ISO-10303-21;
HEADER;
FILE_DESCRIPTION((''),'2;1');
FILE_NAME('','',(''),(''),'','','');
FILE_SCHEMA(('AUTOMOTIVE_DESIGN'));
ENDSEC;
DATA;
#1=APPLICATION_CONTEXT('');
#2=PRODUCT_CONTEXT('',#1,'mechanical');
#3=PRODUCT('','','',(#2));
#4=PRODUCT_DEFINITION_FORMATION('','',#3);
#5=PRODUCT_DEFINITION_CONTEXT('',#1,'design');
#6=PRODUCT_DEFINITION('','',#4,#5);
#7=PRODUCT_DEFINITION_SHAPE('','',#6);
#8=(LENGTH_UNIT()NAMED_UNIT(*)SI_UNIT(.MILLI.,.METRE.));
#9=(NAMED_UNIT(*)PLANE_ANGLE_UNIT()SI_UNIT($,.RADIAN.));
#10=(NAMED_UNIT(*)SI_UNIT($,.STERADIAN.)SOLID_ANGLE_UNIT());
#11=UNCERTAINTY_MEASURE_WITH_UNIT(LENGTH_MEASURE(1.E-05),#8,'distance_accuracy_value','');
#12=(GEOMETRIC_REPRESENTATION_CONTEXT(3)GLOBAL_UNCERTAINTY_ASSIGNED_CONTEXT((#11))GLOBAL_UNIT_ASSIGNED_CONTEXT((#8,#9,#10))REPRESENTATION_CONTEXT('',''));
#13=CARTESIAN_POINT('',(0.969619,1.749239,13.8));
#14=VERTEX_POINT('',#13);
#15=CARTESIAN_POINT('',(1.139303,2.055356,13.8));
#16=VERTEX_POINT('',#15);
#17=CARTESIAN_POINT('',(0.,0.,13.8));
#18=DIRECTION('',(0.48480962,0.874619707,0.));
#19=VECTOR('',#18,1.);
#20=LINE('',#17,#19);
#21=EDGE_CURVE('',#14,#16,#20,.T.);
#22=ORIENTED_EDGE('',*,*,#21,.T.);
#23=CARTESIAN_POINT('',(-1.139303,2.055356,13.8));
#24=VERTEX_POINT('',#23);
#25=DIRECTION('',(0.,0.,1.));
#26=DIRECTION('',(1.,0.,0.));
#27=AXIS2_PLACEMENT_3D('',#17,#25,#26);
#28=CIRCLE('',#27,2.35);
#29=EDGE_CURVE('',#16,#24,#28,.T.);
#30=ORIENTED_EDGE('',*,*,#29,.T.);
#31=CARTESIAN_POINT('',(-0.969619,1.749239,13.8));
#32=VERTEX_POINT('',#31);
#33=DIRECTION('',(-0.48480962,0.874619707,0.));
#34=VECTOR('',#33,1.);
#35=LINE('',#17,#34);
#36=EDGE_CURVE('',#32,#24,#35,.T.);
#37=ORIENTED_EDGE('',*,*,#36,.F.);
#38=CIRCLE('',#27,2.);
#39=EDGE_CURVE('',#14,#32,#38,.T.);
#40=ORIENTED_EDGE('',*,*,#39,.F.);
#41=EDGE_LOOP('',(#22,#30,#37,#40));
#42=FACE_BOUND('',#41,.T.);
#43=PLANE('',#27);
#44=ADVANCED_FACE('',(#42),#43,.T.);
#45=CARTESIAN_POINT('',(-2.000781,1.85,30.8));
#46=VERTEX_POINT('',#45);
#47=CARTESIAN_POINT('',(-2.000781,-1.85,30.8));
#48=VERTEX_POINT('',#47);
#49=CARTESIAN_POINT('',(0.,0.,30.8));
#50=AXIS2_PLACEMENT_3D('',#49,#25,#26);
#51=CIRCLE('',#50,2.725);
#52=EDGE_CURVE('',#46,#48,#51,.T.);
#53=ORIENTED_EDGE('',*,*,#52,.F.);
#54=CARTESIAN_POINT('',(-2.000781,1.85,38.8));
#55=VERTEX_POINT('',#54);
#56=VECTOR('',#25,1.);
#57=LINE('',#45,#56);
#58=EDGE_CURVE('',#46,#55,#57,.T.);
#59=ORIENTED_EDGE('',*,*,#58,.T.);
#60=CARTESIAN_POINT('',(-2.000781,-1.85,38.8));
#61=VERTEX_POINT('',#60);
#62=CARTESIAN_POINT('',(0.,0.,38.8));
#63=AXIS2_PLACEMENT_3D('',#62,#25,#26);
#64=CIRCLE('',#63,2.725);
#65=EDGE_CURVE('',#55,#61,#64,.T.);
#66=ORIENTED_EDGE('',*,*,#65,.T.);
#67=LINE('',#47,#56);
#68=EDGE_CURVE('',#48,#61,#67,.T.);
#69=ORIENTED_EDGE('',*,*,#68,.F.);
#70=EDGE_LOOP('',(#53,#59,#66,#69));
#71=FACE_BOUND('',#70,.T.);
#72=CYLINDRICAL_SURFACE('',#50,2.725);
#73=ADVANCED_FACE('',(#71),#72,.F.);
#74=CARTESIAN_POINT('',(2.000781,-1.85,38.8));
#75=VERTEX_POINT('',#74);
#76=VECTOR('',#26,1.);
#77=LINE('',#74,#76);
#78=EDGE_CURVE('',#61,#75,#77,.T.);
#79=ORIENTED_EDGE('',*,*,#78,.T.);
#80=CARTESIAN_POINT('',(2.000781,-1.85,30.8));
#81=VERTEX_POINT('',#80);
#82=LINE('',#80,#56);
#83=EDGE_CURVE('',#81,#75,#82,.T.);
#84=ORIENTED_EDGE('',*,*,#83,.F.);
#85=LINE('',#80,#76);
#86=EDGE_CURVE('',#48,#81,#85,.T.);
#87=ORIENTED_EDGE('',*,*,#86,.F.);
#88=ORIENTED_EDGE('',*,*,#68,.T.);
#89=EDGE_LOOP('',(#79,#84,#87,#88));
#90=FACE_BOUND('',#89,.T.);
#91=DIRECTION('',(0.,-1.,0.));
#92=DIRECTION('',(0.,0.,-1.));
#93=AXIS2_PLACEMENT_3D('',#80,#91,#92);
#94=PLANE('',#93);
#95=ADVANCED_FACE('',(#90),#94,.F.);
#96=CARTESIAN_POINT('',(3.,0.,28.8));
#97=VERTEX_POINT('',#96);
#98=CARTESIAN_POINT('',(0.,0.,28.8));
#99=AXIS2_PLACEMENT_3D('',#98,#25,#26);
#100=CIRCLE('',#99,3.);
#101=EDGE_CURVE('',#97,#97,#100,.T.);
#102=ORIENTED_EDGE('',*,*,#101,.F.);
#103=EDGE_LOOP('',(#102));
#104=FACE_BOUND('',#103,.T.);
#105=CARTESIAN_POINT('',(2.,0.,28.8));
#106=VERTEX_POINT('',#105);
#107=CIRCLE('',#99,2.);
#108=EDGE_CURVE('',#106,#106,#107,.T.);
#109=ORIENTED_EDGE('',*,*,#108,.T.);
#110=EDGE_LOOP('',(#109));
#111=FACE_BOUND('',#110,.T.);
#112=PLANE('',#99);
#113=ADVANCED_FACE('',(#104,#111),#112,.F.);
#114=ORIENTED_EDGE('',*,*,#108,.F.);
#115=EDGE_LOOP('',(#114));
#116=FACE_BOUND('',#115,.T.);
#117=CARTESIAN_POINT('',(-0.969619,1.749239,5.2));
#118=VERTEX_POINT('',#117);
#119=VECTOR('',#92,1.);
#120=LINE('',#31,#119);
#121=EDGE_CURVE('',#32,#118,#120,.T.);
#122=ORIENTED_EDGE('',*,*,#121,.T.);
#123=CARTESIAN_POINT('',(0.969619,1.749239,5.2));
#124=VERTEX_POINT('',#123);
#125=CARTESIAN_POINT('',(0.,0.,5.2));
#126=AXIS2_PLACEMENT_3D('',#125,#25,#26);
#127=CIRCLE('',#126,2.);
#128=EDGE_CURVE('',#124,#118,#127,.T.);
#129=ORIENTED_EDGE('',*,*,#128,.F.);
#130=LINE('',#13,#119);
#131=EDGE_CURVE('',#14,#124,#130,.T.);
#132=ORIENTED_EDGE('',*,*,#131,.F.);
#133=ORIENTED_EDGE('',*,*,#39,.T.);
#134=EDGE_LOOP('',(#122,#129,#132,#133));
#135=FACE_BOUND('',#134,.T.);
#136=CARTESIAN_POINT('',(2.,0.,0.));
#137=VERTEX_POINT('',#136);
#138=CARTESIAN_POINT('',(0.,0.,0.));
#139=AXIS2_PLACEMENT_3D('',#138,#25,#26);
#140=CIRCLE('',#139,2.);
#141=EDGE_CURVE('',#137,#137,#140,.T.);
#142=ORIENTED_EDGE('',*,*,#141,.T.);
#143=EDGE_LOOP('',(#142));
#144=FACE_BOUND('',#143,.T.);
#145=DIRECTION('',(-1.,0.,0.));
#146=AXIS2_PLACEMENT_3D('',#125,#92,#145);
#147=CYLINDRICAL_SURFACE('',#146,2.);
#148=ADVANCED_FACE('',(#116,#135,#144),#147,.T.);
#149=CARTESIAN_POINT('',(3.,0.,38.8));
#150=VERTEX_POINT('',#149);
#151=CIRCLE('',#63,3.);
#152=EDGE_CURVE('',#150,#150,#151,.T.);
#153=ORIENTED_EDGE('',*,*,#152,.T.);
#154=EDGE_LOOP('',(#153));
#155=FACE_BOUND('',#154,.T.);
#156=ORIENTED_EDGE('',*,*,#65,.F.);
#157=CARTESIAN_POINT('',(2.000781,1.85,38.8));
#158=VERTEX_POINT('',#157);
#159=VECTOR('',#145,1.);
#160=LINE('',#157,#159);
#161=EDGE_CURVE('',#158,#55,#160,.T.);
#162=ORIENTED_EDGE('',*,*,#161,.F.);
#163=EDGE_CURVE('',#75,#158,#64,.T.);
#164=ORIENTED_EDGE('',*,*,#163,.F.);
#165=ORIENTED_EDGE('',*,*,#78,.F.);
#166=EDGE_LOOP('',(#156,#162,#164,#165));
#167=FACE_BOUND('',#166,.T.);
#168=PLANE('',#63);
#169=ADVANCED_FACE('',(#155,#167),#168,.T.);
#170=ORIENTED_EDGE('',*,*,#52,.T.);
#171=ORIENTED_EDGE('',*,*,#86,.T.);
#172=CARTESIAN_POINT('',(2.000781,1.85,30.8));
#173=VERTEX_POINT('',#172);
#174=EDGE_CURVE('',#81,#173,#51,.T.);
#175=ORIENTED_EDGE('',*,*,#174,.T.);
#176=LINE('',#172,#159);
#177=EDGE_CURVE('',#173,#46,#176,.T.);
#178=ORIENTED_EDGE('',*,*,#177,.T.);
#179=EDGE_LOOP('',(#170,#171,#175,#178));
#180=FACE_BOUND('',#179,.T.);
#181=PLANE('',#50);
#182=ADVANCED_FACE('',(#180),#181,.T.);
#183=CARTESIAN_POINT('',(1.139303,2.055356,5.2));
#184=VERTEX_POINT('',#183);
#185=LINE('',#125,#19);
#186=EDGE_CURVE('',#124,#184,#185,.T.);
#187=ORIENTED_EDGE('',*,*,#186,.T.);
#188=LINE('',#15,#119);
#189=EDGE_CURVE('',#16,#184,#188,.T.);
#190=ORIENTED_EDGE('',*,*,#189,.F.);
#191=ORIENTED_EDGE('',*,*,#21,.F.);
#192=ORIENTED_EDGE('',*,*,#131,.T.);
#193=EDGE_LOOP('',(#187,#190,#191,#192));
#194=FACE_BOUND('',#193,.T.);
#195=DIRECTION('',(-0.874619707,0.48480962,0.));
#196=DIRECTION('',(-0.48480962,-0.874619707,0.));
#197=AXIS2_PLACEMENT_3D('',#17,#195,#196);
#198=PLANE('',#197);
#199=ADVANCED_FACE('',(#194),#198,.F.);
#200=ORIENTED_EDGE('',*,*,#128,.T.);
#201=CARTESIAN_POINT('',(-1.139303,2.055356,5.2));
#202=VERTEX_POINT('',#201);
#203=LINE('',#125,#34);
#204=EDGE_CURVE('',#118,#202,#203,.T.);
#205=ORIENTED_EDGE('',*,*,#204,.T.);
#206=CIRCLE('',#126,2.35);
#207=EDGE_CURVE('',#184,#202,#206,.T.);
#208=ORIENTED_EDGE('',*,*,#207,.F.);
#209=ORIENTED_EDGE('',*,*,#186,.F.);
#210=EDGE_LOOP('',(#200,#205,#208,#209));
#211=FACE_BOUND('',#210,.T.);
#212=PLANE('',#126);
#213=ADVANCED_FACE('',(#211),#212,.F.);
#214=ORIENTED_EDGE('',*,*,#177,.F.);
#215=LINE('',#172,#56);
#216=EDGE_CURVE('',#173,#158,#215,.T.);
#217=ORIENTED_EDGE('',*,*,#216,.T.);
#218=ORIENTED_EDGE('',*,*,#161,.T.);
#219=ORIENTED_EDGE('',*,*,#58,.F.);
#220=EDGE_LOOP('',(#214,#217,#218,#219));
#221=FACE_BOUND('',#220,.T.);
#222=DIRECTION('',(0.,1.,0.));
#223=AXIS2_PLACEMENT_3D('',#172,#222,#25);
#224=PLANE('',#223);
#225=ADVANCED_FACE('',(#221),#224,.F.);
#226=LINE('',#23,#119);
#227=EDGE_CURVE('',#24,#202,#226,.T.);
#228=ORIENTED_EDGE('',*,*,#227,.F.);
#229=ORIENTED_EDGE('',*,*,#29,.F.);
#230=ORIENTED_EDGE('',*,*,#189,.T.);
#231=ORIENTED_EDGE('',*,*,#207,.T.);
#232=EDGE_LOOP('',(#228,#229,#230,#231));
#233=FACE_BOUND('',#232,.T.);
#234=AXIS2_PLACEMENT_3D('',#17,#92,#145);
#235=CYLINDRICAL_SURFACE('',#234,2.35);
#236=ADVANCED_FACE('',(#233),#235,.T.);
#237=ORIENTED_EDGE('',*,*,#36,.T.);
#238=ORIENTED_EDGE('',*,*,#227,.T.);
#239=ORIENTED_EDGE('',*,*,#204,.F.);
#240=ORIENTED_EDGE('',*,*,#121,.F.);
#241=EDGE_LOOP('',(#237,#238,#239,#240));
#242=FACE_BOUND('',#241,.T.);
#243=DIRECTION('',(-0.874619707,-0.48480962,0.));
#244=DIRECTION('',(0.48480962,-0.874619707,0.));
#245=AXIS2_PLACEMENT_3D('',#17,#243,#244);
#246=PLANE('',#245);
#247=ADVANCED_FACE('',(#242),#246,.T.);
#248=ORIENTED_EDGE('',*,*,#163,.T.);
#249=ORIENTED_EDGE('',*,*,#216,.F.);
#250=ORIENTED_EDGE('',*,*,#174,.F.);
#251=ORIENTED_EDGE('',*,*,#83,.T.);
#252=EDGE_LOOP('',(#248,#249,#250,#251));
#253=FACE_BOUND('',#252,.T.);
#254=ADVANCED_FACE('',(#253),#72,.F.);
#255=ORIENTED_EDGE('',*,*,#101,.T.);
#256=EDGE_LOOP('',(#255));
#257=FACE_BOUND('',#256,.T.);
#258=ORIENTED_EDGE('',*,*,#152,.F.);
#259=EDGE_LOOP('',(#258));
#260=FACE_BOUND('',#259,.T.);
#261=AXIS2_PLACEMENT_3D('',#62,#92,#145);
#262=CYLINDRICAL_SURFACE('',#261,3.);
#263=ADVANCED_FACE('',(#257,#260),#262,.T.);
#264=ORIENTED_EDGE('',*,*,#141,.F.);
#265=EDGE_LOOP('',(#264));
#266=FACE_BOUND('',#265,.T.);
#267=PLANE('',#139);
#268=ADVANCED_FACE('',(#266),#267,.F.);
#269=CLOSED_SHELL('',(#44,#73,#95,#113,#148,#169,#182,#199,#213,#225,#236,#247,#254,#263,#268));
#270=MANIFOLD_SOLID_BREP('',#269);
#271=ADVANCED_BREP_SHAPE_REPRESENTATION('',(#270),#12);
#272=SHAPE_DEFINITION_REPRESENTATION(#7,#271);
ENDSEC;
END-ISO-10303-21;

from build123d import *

# Parameters (mm, degrees)
SKETCH3_R           = 2
BOSS_EXTRUDE1_DEPTH = 5.2
SKETCH4_R           = 2
BOSS_EXTRUDE2_DEPTH = 8.6
SKETCH5_R           = 2
BOSS_EXTRUDE3_DEPTH = 15
SKETCH6_R           = 3
BOSS_EXTRUDE4_DEPTH = 10
CUT_EXTRUDE1_DEPTH  = 8


with BuildPart() as part:
    # Sketch3 → Boss-Extrude1 (new body)
    with BuildSketch(Plane.XY):
        Circle(SKETCH3_R)
    extrude(amount=BOSS_EXTRUDE1_DEPTH)

    # Sketch4 → Boss-Extrude2 (add)
    with BuildSketch(Plane.XY.offset(5.2)):
        with Locations(Location((0, 0, 0), (0, 0, 119))):
            Circle(SKETCH4_R)
        with BuildLine():
            Line((0, 0), (1.139302608, 2.055356312))
            ThreePointArc((1.139302608, 2.055356312), (0, 2.35), (-1.139302608, 2.055356312))
            Line((-1.139302608, 2.055356312), (0, 0))
        make_face()
        with BuildLine():
            Line((0.96961924, 1.749239414), (0, 0))
            Line((0, 0), (-0.96961924, 1.749239414))
            ThreePointArc((-0.96961924, 1.749239414), (-1.015076726, -1.723258321), (2, 0))
            ThreePointArc((2, 0), (1.723258321, 1.015076726), (0.96961924, 1.749239414))
        make_face()
    extrude(amount=BOSS_EXTRUDE2_DEPTH)

    # Sketch5 → Boss-Extrude3 (add)
    with BuildSketch(Plane.XY.offset(13.8)):
        Circle(SKETCH5_R)
    extrude(amount=BOSS_EXTRUDE3_DEPTH)

    # Sketch6 → Boss-Extrude4 (add)
    with BuildSketch(Plane.XY.offset(28.8)):
        Circle(SKETCH6_R)
    extrude(amount=BOSS_EXTRUDE4_DEPTH)

    # Sketch7 → Cut-Extrude1 (cut)
    with BuildSketch(Plane.XY.offset(38.8)):
        with BuildLine():
            Line((2.000781097, 1.85), (-2.000781097, 1.85))
            ThreePointArc((-2.000781097, 1.85), (-2.725, 0), (-2.000781097, -1.85))
            Line((-2.000781097, -1.85), (2.000781097, -1.85))
            ThreePointArc((2.000781097, -1.85), (2.725, 0), (2.000781097, 1.85))
        make_face()
    extrude(amount=-CUT_EXTRUDE1_DEPTH, mode=Mode.SUBTRACT)


solid = part.part
